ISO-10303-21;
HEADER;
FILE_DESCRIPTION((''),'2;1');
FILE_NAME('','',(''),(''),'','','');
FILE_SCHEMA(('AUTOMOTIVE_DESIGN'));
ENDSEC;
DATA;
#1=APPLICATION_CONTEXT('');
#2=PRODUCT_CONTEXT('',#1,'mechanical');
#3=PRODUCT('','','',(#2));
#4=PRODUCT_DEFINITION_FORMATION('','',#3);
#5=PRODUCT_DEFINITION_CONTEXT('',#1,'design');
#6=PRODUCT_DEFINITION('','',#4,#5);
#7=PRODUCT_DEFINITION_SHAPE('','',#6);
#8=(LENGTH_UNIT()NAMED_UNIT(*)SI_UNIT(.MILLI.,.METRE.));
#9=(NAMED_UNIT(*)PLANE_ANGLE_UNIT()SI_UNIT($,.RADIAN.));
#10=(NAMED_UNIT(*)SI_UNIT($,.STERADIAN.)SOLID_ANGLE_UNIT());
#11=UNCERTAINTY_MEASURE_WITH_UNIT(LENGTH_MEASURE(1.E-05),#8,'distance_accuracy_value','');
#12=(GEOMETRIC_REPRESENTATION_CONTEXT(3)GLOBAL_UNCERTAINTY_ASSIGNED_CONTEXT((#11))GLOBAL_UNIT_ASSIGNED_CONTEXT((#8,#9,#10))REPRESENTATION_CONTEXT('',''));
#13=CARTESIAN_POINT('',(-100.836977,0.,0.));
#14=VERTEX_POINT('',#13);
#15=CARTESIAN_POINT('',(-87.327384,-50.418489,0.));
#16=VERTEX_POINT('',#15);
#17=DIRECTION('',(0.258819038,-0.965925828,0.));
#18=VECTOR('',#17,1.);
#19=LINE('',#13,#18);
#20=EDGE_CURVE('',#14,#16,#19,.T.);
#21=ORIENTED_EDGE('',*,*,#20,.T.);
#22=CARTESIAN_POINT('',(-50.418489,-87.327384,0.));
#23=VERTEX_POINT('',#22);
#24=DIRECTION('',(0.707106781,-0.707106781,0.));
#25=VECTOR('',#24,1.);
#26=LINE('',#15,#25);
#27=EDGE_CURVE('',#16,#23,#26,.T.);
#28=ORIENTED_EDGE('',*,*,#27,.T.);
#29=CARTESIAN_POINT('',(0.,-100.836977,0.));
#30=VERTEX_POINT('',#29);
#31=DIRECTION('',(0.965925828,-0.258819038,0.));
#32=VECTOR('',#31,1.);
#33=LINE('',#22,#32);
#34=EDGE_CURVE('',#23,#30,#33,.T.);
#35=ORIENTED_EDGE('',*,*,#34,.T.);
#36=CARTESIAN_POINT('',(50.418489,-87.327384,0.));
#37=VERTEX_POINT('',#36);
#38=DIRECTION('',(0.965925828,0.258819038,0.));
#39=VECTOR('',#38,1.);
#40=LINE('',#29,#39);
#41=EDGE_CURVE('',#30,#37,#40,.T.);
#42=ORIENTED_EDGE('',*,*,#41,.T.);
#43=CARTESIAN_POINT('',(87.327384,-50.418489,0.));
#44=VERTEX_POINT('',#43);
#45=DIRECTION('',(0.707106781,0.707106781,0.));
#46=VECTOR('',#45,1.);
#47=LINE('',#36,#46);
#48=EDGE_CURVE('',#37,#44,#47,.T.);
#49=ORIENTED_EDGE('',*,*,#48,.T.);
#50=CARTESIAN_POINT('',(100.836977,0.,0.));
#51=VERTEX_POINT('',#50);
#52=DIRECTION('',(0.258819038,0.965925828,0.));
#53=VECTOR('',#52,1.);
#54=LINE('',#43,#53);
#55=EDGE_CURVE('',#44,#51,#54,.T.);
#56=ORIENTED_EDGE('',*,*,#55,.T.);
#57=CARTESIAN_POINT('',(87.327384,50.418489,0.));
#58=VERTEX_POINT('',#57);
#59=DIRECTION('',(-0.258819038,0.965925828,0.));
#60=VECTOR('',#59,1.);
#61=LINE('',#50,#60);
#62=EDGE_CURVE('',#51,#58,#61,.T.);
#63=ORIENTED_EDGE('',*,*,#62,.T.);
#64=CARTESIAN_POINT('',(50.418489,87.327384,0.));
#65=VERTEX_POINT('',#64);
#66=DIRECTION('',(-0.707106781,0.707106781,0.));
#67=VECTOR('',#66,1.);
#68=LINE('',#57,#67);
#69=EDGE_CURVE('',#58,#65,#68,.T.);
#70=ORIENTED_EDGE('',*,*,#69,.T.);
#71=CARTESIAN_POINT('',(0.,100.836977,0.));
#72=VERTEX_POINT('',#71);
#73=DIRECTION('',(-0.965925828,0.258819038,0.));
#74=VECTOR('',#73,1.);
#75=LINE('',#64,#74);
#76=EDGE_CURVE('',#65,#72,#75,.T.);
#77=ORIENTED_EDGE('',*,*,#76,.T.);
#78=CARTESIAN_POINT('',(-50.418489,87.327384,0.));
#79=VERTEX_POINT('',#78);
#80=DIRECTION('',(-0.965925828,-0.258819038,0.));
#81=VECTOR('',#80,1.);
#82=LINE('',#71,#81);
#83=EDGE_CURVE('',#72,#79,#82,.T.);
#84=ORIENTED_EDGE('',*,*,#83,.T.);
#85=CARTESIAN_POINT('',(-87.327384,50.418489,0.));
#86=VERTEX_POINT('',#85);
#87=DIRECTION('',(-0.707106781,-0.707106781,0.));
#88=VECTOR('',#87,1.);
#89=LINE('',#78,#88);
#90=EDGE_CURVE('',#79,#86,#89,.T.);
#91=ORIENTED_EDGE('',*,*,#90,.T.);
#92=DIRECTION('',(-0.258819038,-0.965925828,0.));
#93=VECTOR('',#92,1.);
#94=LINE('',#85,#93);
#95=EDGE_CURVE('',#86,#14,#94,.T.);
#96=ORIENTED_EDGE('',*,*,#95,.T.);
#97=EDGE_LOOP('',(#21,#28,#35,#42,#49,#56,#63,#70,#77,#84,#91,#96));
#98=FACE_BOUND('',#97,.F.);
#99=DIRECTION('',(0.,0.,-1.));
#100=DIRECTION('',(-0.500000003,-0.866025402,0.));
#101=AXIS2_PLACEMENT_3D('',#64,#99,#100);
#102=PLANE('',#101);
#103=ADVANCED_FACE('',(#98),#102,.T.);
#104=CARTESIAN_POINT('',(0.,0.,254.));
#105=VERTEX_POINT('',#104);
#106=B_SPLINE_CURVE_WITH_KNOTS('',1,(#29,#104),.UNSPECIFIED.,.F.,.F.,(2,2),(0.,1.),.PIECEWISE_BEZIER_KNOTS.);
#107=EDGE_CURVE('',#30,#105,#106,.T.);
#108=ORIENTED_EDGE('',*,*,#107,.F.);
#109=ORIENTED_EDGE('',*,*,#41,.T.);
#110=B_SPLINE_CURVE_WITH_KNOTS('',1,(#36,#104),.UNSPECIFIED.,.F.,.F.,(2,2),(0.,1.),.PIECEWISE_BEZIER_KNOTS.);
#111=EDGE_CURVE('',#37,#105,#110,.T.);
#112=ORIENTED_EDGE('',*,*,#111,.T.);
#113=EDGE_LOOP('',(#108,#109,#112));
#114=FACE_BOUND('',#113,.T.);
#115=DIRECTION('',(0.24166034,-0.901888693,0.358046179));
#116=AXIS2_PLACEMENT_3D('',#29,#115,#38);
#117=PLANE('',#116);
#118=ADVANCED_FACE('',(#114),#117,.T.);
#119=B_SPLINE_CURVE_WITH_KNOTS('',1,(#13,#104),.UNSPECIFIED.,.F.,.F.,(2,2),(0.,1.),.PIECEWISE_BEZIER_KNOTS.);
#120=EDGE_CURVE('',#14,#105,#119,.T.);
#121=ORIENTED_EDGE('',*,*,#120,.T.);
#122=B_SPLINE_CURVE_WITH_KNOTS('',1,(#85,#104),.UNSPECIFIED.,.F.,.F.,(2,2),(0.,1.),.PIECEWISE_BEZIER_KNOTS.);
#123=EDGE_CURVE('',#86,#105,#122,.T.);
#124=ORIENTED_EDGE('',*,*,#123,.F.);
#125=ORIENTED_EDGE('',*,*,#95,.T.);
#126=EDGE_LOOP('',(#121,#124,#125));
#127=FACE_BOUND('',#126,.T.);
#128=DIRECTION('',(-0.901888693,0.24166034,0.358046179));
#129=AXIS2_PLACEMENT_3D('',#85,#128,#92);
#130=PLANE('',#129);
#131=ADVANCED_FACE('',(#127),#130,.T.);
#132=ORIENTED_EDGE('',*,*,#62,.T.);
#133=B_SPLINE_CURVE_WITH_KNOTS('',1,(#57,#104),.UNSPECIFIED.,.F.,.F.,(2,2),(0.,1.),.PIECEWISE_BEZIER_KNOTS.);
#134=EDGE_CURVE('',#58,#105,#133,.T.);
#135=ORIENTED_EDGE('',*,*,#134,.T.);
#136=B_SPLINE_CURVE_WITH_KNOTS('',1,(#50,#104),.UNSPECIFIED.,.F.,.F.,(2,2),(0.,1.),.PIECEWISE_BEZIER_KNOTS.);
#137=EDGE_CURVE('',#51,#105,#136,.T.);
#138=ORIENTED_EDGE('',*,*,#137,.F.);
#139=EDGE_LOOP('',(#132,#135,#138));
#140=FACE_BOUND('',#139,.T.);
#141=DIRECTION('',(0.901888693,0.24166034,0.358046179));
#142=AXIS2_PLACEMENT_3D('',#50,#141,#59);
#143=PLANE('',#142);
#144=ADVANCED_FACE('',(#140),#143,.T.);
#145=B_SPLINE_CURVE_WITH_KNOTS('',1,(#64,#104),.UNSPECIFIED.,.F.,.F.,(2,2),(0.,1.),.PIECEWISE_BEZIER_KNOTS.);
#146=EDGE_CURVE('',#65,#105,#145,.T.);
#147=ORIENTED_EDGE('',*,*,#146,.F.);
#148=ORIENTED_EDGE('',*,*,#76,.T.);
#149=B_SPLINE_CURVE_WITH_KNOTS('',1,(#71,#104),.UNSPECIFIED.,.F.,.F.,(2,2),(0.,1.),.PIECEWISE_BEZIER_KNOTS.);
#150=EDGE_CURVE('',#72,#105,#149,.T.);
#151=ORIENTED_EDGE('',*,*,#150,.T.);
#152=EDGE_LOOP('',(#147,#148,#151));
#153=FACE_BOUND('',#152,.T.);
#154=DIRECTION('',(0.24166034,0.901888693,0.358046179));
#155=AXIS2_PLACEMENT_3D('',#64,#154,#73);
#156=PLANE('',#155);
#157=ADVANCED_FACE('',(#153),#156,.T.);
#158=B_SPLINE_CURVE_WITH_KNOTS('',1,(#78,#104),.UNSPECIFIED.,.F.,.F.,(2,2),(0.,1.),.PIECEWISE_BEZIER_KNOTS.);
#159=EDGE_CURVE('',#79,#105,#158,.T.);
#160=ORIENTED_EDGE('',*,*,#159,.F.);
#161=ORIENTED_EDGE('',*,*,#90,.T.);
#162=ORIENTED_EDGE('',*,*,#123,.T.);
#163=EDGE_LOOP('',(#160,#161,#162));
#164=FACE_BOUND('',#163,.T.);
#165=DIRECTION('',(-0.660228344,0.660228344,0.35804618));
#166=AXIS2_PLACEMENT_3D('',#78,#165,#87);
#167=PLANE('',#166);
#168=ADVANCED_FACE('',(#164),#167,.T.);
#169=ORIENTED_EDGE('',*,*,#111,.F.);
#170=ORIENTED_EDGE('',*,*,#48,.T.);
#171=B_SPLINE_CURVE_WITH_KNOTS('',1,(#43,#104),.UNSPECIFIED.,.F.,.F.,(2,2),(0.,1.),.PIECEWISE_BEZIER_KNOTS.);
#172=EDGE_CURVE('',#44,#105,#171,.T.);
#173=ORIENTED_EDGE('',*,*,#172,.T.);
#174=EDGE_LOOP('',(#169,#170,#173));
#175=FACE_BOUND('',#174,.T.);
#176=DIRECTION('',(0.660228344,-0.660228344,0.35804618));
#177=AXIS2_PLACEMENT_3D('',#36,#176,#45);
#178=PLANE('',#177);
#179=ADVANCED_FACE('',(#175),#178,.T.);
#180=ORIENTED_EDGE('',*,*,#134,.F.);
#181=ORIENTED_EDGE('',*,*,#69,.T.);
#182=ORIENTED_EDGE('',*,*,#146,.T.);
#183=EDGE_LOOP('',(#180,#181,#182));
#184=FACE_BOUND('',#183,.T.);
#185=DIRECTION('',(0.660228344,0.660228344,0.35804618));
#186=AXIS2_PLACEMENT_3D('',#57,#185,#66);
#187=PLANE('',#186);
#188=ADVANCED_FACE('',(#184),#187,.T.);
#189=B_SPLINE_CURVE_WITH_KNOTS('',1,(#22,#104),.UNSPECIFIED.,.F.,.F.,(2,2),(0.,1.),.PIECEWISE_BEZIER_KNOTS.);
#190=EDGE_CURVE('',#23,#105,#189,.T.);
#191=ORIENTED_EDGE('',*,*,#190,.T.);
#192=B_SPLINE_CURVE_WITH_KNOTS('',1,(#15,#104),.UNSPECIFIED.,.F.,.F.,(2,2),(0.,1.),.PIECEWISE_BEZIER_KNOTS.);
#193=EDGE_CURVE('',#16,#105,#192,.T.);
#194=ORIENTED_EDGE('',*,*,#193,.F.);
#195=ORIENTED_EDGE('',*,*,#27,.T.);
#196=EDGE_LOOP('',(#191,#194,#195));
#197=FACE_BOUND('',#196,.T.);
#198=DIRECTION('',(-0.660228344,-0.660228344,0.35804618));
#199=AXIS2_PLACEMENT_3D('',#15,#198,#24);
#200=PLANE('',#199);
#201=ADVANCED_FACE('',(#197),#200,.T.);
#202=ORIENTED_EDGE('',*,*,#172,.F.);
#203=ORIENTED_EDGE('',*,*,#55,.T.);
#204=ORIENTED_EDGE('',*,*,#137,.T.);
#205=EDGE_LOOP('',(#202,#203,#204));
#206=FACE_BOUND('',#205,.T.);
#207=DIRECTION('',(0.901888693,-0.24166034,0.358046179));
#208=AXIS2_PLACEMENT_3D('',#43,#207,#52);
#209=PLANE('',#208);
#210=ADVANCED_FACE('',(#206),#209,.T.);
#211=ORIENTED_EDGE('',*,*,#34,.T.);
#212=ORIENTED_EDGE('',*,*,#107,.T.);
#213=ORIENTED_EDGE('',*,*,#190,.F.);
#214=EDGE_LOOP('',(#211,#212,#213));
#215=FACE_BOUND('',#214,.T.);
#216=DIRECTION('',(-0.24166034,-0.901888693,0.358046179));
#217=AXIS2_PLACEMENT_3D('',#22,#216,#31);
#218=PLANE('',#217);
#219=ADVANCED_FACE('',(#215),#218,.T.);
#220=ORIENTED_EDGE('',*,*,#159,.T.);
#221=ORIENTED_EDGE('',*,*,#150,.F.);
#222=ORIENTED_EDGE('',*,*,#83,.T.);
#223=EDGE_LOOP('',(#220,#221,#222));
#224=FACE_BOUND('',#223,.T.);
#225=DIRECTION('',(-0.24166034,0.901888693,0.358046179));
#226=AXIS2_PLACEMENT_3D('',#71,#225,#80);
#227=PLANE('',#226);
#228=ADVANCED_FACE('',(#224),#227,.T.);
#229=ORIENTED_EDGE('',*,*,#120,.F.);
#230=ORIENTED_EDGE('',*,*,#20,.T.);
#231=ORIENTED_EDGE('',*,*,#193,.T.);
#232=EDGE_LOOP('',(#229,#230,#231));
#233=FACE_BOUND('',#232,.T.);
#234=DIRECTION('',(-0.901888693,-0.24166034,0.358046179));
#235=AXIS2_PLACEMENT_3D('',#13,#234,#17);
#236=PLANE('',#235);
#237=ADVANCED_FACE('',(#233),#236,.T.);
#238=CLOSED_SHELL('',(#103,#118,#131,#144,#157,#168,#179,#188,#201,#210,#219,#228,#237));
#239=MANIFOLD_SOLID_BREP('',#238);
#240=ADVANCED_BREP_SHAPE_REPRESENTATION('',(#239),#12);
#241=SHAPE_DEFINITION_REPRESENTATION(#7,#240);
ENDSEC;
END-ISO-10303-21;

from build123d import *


with BuildPart() as f3:
    # F0 (on Top) → F3 section 0
    with BuildSketch(Plane.XY, mode=Mode.PRIVATE) as f3_s0:
        Polygon((50.418489, 87.327384), (0, 100.836977), (-50.418489, 87.327384), (-87.327384, 50.418489), (-100.836977, 0), (-87.327384, -50.418489), (-50.418489, -87.327384), (0, -100.836977), (50.418489, -87.327384), (87.327384, -50.418489), (100.836977, 0), (87.327384, 50.418489), align=None)
    loft([f3_s0.sketch, Vertex(0, 0, 254)])


solid = f3.part
